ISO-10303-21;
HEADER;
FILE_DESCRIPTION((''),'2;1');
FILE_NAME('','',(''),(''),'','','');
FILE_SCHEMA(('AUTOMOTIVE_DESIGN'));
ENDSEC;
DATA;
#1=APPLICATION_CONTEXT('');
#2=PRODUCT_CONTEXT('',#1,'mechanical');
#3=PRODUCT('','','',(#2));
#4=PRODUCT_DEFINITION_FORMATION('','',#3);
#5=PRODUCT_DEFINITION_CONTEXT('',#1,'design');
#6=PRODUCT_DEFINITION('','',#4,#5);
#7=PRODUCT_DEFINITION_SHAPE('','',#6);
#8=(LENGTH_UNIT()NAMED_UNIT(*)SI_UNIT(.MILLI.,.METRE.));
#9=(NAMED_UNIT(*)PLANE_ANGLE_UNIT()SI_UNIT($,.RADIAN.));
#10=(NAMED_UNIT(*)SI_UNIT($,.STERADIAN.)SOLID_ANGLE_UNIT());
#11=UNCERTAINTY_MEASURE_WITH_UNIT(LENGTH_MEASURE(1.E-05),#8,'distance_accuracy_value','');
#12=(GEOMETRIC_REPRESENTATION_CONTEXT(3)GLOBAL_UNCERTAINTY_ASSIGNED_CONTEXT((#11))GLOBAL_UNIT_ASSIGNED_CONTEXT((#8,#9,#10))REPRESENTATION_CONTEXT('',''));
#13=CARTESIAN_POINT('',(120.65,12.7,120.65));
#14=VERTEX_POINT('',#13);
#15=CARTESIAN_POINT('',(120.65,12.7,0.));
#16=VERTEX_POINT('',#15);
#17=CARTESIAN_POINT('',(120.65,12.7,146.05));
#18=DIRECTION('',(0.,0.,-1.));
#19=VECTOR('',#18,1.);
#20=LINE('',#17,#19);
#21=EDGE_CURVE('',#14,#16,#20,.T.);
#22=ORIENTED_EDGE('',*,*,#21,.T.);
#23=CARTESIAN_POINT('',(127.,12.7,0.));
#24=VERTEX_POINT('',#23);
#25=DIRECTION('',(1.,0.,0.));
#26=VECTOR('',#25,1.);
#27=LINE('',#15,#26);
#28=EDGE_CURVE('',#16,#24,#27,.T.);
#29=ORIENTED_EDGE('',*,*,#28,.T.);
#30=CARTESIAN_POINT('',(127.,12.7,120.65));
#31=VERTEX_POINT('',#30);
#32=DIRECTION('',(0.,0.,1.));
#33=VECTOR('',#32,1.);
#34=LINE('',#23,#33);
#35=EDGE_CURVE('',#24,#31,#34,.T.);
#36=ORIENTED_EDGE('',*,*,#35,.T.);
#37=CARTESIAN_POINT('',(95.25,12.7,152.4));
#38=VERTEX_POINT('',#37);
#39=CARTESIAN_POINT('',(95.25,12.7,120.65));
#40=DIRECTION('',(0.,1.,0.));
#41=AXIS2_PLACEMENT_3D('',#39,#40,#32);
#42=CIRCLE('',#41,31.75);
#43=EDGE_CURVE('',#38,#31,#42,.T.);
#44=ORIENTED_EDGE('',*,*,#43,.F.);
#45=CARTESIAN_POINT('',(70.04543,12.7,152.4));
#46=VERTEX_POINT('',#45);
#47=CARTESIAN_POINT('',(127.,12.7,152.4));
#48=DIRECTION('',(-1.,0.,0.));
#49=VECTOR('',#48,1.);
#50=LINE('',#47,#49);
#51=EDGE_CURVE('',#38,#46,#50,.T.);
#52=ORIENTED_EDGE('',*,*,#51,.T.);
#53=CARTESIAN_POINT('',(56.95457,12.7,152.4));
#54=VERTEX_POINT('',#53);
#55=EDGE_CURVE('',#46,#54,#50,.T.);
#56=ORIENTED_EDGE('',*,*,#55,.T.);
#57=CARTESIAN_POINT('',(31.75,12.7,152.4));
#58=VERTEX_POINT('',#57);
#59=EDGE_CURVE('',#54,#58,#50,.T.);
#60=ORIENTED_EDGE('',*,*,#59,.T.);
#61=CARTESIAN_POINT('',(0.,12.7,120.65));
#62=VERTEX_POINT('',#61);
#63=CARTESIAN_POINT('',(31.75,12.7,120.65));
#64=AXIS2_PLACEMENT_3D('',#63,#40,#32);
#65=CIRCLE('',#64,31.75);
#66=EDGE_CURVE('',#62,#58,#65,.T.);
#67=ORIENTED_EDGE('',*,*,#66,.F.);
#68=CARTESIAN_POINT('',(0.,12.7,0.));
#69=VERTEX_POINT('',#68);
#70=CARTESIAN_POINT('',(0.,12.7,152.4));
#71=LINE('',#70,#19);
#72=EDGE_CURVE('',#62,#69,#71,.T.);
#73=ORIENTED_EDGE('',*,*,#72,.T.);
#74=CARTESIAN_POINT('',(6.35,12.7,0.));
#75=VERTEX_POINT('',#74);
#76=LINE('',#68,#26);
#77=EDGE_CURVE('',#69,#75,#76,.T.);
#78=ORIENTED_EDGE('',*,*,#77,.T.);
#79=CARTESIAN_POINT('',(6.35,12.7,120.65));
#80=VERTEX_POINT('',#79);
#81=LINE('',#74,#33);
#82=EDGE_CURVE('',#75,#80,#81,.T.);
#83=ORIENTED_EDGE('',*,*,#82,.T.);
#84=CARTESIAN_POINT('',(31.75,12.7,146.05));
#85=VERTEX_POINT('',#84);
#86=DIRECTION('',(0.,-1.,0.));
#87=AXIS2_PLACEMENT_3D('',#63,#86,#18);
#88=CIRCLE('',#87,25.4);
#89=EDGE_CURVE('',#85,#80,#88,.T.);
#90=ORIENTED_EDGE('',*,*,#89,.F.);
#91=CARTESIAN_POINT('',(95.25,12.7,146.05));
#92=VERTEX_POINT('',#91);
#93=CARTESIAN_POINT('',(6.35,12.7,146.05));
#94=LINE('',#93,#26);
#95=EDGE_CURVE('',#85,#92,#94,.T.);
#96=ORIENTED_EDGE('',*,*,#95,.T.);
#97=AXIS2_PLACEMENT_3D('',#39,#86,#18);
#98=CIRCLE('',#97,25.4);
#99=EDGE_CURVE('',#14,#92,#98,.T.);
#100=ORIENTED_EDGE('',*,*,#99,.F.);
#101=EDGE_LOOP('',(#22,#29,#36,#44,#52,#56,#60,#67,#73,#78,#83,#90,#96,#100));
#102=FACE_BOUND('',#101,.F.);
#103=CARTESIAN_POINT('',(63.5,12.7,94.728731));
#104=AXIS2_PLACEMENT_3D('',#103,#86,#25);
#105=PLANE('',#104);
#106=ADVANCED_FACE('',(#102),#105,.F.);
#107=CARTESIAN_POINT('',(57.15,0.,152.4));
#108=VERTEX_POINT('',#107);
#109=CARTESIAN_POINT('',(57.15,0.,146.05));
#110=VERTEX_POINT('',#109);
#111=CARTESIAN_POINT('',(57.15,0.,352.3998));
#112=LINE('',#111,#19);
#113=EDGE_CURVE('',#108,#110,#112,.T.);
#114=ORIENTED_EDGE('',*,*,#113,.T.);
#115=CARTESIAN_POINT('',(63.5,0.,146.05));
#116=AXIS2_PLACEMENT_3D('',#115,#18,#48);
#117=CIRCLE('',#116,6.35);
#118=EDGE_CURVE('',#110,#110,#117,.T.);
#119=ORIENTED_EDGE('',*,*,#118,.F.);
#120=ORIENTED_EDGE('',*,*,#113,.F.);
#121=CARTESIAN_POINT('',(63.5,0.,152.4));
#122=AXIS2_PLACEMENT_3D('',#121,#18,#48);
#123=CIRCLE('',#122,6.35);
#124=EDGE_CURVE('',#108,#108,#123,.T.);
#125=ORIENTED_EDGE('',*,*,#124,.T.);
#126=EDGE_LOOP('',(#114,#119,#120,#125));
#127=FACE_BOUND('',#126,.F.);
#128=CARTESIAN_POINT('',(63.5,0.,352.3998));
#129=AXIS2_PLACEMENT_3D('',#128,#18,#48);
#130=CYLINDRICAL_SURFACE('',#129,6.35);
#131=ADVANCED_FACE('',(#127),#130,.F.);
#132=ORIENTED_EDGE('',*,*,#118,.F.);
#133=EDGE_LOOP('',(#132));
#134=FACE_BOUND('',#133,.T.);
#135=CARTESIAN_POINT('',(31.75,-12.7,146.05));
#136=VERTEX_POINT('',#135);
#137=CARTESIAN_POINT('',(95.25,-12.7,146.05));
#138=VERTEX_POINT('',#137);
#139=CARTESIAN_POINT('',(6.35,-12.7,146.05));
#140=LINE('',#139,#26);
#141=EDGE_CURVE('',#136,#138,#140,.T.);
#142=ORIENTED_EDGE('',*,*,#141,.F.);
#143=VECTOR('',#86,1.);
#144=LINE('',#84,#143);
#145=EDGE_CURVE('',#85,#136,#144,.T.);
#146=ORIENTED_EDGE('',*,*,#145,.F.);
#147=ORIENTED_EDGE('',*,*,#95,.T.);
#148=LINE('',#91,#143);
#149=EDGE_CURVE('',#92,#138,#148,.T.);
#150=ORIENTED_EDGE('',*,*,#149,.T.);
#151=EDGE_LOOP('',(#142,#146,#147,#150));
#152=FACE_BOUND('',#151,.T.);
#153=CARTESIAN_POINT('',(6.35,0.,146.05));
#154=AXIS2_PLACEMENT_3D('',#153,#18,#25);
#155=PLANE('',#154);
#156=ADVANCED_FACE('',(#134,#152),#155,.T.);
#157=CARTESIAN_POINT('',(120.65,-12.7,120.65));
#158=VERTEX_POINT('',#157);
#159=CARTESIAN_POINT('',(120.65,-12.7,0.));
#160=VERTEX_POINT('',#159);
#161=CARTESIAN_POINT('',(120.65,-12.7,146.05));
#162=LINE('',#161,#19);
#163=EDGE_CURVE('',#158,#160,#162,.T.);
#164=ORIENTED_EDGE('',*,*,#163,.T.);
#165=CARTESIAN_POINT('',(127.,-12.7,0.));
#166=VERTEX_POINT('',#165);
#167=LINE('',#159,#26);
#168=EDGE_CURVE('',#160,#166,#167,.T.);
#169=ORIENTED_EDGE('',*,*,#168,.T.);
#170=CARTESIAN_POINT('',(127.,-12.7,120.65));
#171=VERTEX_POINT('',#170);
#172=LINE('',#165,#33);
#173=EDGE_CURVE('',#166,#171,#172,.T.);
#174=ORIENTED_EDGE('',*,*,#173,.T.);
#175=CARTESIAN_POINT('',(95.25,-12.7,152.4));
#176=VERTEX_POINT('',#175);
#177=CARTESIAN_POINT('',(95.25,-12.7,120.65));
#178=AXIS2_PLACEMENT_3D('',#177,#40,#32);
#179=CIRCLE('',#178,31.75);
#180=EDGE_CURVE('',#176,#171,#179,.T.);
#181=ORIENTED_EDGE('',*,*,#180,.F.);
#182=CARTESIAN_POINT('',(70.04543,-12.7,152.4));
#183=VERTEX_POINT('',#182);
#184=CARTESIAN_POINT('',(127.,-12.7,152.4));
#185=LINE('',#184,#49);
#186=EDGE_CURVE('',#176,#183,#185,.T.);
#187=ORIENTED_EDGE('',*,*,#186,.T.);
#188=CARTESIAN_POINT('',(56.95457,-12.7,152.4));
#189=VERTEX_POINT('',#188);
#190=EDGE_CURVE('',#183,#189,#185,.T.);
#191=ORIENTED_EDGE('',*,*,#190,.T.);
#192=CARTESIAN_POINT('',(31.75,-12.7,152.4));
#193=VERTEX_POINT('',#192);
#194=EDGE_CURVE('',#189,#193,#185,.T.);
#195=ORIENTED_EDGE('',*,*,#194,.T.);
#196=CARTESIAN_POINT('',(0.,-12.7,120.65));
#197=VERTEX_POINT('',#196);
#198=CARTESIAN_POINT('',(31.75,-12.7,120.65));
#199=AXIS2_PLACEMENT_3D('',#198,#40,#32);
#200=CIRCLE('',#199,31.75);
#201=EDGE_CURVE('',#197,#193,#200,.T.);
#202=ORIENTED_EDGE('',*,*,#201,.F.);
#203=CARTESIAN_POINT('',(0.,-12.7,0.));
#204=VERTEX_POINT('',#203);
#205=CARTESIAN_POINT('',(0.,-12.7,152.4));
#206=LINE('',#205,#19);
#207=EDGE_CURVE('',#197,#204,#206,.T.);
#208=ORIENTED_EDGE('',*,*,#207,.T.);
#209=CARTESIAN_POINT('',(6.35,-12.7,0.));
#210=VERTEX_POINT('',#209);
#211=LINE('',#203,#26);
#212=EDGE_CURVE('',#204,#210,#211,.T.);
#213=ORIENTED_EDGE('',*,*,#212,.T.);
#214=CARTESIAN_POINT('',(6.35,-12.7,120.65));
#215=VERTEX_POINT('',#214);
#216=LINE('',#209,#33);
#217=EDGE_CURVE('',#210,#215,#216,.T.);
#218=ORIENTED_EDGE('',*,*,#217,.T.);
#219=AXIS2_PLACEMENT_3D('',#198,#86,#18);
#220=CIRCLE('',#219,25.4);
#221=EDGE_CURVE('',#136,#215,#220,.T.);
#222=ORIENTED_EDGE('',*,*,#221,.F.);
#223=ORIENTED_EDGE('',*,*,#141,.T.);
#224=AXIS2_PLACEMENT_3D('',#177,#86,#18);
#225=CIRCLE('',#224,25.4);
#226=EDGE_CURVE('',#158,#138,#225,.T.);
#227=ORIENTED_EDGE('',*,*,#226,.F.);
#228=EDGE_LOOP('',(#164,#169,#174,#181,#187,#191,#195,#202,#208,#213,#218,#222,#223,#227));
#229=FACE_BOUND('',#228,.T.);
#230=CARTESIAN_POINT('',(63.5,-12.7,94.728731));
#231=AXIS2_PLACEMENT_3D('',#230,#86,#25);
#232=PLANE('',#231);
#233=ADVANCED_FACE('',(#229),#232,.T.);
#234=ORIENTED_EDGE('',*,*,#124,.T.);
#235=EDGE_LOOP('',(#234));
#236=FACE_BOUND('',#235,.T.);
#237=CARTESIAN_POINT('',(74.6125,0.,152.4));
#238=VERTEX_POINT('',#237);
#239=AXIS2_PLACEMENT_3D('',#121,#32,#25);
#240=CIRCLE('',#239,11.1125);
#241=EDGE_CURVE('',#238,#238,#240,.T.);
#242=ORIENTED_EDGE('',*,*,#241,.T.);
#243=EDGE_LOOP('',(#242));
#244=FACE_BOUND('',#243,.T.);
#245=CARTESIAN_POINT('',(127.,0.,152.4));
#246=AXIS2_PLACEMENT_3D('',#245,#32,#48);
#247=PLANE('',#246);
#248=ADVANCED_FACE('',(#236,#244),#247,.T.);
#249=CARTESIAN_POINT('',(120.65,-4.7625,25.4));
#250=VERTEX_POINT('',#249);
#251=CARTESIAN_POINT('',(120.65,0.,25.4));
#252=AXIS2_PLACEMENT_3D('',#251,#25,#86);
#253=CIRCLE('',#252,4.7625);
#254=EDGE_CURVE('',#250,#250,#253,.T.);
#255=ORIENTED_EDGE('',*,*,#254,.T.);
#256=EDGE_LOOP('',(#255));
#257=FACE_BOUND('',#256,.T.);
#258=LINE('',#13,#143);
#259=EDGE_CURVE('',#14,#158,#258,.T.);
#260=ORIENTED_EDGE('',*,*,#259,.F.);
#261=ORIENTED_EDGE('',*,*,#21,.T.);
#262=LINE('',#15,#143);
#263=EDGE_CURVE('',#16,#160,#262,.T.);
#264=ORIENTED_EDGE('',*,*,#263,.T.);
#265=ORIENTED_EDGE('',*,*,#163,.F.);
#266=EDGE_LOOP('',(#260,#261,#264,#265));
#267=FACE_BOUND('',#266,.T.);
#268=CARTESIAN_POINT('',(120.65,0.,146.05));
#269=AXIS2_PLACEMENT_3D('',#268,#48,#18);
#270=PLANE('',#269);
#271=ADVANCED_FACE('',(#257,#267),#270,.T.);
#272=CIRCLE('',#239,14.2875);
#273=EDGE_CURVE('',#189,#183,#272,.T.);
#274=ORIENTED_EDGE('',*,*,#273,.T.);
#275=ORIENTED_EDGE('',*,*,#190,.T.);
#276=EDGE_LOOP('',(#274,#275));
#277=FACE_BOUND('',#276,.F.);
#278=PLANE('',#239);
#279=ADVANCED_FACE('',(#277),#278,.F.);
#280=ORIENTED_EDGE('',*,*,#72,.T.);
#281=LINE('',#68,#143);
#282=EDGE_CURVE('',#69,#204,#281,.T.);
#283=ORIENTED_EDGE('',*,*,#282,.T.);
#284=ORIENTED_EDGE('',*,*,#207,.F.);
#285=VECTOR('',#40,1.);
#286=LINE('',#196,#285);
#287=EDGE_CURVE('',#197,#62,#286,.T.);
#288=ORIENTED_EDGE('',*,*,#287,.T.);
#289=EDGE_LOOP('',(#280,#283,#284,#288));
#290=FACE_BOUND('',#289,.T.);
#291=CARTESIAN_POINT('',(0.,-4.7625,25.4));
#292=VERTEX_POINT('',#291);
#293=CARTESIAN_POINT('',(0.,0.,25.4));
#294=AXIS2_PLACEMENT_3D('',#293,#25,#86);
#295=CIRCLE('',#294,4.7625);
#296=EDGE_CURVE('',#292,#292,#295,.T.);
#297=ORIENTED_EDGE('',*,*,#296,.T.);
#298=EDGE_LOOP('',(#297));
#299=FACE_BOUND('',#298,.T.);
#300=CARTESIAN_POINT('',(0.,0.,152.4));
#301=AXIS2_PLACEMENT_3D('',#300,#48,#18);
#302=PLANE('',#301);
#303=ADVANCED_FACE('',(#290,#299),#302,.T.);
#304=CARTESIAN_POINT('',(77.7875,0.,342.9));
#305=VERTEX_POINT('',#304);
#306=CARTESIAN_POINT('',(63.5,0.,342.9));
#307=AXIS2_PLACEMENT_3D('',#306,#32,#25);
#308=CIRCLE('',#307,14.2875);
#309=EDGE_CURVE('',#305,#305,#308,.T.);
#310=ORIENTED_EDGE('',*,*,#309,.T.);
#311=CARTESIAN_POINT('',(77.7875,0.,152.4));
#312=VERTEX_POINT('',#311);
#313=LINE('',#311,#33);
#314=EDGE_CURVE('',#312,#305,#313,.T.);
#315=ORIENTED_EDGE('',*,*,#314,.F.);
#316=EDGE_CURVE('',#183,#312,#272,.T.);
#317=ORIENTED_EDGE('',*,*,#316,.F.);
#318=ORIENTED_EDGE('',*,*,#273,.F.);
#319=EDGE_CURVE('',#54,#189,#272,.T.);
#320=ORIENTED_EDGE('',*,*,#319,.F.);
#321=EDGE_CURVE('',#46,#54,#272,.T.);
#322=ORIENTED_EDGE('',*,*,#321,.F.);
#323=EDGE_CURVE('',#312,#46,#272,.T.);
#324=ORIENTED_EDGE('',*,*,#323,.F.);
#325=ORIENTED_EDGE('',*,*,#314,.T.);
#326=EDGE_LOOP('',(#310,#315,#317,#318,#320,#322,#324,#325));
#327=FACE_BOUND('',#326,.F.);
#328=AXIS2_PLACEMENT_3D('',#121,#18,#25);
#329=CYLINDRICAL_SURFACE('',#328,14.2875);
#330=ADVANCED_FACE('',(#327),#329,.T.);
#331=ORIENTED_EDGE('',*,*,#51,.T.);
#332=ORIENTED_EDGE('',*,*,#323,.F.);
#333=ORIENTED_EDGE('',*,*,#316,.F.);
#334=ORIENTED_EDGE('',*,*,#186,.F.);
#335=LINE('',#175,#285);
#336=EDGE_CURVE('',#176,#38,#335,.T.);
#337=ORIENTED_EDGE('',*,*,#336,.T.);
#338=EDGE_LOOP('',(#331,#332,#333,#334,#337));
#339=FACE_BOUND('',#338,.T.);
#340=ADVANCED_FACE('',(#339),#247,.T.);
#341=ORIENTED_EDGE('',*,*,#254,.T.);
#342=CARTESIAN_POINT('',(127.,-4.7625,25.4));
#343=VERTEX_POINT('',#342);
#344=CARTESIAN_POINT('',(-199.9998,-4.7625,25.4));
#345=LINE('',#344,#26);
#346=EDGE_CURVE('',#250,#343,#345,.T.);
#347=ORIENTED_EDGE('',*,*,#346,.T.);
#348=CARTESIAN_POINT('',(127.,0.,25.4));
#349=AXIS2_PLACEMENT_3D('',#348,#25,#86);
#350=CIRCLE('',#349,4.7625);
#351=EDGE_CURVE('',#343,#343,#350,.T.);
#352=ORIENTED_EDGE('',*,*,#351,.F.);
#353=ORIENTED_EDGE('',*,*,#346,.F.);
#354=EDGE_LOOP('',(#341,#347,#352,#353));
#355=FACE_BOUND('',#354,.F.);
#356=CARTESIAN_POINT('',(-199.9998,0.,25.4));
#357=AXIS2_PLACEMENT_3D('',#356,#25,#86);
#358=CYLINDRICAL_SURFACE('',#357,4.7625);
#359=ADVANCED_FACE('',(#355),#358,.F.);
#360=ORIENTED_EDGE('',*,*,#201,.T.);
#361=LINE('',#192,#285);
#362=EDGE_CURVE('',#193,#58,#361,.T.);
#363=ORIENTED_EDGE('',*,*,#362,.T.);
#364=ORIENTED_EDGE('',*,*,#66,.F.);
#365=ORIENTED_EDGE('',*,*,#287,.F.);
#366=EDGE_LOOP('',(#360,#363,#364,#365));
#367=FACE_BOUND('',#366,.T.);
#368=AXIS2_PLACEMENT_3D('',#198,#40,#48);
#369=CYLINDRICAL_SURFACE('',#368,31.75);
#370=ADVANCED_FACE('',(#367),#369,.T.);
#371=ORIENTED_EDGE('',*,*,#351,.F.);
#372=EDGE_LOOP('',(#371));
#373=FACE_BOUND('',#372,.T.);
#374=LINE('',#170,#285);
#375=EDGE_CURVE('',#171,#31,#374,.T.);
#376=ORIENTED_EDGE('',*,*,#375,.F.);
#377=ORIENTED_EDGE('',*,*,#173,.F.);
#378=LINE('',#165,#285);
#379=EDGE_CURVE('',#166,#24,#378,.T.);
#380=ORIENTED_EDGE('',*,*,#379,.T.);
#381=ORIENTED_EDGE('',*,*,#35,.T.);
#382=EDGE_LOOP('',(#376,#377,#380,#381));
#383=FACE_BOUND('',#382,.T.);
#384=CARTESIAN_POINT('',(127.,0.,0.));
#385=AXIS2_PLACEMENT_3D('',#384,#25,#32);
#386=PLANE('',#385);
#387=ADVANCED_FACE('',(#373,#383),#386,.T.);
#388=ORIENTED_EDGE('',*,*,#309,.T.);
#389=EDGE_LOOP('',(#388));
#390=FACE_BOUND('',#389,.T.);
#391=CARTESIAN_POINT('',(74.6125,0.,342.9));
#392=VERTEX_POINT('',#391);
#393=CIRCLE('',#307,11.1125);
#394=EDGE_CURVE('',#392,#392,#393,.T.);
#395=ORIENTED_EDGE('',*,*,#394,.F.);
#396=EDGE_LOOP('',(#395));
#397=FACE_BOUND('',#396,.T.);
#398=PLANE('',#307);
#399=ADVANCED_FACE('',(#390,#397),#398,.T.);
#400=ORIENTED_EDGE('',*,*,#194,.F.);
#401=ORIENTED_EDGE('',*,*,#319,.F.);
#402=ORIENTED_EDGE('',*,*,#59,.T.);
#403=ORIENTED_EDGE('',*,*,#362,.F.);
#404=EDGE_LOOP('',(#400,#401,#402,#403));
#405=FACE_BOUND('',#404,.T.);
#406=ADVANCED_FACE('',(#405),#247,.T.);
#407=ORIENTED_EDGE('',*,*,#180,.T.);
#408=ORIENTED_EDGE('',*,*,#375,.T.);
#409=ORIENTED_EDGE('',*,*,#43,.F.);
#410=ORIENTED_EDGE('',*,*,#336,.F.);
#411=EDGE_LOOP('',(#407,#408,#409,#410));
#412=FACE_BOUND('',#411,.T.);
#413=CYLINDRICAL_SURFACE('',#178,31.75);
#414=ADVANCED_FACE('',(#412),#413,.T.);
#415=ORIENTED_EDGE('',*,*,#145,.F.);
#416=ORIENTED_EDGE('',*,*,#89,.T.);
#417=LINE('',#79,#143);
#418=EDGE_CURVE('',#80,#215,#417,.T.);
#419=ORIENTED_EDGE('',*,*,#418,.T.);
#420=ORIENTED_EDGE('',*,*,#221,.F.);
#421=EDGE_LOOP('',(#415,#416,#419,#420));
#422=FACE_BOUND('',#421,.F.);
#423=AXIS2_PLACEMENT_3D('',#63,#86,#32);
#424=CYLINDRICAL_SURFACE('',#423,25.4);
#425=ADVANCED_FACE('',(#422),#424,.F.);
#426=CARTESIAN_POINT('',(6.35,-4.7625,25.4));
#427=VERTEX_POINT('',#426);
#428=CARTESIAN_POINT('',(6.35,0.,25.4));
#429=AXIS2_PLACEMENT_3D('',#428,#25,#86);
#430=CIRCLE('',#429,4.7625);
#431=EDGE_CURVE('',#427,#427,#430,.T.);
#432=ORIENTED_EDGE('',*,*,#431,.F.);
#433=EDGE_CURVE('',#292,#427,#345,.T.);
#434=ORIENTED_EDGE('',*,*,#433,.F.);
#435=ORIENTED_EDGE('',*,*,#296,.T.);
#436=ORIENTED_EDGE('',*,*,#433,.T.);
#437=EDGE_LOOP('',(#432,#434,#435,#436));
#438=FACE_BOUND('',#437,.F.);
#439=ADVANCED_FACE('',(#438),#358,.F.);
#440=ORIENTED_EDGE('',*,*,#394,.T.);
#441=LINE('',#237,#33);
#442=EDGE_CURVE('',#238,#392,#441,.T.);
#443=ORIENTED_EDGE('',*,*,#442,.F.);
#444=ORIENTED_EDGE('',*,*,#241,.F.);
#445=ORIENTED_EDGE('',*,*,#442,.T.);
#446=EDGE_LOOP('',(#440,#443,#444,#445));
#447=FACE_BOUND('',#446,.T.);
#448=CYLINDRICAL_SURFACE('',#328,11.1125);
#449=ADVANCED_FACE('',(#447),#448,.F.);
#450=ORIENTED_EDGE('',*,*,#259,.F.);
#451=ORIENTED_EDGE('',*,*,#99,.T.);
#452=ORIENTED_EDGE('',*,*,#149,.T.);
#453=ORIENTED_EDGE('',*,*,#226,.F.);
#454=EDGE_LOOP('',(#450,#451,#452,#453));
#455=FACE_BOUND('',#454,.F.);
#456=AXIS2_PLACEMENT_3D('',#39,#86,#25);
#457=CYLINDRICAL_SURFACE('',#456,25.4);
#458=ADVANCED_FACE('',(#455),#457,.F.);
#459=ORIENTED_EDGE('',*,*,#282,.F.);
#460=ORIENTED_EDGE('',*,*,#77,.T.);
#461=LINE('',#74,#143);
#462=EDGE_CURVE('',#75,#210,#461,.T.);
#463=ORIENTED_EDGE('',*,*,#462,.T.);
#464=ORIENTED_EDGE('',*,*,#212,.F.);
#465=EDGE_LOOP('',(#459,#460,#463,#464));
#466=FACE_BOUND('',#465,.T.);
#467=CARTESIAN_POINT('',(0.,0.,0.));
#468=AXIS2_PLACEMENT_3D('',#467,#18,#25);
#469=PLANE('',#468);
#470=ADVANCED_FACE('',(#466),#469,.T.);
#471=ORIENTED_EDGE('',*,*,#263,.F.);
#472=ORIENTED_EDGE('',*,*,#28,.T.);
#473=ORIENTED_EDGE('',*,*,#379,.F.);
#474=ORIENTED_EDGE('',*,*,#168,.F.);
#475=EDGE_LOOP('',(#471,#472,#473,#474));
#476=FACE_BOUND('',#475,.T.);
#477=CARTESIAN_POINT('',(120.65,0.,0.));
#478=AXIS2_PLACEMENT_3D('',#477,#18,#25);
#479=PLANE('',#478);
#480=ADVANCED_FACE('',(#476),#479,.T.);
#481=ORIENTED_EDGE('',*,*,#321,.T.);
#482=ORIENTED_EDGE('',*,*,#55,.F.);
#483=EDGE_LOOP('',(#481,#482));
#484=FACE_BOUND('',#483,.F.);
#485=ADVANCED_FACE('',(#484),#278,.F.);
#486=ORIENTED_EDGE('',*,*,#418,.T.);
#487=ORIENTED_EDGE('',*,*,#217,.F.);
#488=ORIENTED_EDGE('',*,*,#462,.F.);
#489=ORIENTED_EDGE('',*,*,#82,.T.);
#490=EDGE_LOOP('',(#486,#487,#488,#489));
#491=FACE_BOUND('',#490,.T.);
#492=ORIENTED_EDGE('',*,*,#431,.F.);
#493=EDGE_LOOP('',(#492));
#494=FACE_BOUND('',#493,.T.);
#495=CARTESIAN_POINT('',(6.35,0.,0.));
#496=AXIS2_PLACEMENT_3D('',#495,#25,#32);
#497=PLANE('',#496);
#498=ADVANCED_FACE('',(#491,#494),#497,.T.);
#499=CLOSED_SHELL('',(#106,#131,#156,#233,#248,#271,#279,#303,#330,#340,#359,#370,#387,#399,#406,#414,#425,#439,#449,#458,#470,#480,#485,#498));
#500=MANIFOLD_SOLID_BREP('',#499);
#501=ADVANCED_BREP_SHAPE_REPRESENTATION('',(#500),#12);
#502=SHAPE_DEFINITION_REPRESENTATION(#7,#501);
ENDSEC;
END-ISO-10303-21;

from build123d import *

# Parameters (mm, degrees)
F1_DEPTH = 12.7
F2_R     = 25.4
F3_R     = 31.75
F5_D     = 9.525
F7_D     = 12.7
F8_R     = 14.2875
F8_R_2   = 11.1125
F9_DEPTH = 190.5


with BuildPart() as f1:
    # F0 (on Front) → F1 (new body, symmetric)
    with BuildSketch(Plane.XZ):
        Polygon((0, 152.4), (0, 0), (6.35, 0), (6.35, 146.05), (120.65, 146.05), (120.65, 0), (127, 0), (127, 152.4), align=None)
    extrude(amount=F1_DEPTH, both=True)

    # F2
    f2_edges = [f1.edges().sort_by_distance(p)[0] for p in [
        (6.35, 0, 146.05),
        (120.65, 0, 146.05),
    ]]
    fillet(f2_edges, radius=F2_R)

    # F3
    f3_edges = [f1.edges().sort_by_distance(p)[0] for p in [
        (127, 0, 152.4),
        (0, 0, 152.4),
    ]]
    fillet(f3_edges, radius=F3_R)

    # F5 (through all)
    with Locations(Plane(origin=(0, 0, 0), x_dir=(0, 1, 0), z_dir=(-1, 0, 0))):
        with Locations((0, -25.4)):
            Hole(F5_D / 2)

    # F7 (through all)
    with Locations(Plane.XY.offset(152.4)):
        with Locations((63.5, 0)):
            Hole(F7_D / 2)

    # F8 (on face) → F9 (join)
    with BuildSketch(Plane.XY.offset(152.4)):
        with Locations((63.5, 0)):
            Circle(F8_R)
        with Locations((63.5, 0)):
            Circle(F8_R_2, mode=Mode.SUBTRACT)
    extrude(amount=F9_DEPTH)


solid = f1.part
